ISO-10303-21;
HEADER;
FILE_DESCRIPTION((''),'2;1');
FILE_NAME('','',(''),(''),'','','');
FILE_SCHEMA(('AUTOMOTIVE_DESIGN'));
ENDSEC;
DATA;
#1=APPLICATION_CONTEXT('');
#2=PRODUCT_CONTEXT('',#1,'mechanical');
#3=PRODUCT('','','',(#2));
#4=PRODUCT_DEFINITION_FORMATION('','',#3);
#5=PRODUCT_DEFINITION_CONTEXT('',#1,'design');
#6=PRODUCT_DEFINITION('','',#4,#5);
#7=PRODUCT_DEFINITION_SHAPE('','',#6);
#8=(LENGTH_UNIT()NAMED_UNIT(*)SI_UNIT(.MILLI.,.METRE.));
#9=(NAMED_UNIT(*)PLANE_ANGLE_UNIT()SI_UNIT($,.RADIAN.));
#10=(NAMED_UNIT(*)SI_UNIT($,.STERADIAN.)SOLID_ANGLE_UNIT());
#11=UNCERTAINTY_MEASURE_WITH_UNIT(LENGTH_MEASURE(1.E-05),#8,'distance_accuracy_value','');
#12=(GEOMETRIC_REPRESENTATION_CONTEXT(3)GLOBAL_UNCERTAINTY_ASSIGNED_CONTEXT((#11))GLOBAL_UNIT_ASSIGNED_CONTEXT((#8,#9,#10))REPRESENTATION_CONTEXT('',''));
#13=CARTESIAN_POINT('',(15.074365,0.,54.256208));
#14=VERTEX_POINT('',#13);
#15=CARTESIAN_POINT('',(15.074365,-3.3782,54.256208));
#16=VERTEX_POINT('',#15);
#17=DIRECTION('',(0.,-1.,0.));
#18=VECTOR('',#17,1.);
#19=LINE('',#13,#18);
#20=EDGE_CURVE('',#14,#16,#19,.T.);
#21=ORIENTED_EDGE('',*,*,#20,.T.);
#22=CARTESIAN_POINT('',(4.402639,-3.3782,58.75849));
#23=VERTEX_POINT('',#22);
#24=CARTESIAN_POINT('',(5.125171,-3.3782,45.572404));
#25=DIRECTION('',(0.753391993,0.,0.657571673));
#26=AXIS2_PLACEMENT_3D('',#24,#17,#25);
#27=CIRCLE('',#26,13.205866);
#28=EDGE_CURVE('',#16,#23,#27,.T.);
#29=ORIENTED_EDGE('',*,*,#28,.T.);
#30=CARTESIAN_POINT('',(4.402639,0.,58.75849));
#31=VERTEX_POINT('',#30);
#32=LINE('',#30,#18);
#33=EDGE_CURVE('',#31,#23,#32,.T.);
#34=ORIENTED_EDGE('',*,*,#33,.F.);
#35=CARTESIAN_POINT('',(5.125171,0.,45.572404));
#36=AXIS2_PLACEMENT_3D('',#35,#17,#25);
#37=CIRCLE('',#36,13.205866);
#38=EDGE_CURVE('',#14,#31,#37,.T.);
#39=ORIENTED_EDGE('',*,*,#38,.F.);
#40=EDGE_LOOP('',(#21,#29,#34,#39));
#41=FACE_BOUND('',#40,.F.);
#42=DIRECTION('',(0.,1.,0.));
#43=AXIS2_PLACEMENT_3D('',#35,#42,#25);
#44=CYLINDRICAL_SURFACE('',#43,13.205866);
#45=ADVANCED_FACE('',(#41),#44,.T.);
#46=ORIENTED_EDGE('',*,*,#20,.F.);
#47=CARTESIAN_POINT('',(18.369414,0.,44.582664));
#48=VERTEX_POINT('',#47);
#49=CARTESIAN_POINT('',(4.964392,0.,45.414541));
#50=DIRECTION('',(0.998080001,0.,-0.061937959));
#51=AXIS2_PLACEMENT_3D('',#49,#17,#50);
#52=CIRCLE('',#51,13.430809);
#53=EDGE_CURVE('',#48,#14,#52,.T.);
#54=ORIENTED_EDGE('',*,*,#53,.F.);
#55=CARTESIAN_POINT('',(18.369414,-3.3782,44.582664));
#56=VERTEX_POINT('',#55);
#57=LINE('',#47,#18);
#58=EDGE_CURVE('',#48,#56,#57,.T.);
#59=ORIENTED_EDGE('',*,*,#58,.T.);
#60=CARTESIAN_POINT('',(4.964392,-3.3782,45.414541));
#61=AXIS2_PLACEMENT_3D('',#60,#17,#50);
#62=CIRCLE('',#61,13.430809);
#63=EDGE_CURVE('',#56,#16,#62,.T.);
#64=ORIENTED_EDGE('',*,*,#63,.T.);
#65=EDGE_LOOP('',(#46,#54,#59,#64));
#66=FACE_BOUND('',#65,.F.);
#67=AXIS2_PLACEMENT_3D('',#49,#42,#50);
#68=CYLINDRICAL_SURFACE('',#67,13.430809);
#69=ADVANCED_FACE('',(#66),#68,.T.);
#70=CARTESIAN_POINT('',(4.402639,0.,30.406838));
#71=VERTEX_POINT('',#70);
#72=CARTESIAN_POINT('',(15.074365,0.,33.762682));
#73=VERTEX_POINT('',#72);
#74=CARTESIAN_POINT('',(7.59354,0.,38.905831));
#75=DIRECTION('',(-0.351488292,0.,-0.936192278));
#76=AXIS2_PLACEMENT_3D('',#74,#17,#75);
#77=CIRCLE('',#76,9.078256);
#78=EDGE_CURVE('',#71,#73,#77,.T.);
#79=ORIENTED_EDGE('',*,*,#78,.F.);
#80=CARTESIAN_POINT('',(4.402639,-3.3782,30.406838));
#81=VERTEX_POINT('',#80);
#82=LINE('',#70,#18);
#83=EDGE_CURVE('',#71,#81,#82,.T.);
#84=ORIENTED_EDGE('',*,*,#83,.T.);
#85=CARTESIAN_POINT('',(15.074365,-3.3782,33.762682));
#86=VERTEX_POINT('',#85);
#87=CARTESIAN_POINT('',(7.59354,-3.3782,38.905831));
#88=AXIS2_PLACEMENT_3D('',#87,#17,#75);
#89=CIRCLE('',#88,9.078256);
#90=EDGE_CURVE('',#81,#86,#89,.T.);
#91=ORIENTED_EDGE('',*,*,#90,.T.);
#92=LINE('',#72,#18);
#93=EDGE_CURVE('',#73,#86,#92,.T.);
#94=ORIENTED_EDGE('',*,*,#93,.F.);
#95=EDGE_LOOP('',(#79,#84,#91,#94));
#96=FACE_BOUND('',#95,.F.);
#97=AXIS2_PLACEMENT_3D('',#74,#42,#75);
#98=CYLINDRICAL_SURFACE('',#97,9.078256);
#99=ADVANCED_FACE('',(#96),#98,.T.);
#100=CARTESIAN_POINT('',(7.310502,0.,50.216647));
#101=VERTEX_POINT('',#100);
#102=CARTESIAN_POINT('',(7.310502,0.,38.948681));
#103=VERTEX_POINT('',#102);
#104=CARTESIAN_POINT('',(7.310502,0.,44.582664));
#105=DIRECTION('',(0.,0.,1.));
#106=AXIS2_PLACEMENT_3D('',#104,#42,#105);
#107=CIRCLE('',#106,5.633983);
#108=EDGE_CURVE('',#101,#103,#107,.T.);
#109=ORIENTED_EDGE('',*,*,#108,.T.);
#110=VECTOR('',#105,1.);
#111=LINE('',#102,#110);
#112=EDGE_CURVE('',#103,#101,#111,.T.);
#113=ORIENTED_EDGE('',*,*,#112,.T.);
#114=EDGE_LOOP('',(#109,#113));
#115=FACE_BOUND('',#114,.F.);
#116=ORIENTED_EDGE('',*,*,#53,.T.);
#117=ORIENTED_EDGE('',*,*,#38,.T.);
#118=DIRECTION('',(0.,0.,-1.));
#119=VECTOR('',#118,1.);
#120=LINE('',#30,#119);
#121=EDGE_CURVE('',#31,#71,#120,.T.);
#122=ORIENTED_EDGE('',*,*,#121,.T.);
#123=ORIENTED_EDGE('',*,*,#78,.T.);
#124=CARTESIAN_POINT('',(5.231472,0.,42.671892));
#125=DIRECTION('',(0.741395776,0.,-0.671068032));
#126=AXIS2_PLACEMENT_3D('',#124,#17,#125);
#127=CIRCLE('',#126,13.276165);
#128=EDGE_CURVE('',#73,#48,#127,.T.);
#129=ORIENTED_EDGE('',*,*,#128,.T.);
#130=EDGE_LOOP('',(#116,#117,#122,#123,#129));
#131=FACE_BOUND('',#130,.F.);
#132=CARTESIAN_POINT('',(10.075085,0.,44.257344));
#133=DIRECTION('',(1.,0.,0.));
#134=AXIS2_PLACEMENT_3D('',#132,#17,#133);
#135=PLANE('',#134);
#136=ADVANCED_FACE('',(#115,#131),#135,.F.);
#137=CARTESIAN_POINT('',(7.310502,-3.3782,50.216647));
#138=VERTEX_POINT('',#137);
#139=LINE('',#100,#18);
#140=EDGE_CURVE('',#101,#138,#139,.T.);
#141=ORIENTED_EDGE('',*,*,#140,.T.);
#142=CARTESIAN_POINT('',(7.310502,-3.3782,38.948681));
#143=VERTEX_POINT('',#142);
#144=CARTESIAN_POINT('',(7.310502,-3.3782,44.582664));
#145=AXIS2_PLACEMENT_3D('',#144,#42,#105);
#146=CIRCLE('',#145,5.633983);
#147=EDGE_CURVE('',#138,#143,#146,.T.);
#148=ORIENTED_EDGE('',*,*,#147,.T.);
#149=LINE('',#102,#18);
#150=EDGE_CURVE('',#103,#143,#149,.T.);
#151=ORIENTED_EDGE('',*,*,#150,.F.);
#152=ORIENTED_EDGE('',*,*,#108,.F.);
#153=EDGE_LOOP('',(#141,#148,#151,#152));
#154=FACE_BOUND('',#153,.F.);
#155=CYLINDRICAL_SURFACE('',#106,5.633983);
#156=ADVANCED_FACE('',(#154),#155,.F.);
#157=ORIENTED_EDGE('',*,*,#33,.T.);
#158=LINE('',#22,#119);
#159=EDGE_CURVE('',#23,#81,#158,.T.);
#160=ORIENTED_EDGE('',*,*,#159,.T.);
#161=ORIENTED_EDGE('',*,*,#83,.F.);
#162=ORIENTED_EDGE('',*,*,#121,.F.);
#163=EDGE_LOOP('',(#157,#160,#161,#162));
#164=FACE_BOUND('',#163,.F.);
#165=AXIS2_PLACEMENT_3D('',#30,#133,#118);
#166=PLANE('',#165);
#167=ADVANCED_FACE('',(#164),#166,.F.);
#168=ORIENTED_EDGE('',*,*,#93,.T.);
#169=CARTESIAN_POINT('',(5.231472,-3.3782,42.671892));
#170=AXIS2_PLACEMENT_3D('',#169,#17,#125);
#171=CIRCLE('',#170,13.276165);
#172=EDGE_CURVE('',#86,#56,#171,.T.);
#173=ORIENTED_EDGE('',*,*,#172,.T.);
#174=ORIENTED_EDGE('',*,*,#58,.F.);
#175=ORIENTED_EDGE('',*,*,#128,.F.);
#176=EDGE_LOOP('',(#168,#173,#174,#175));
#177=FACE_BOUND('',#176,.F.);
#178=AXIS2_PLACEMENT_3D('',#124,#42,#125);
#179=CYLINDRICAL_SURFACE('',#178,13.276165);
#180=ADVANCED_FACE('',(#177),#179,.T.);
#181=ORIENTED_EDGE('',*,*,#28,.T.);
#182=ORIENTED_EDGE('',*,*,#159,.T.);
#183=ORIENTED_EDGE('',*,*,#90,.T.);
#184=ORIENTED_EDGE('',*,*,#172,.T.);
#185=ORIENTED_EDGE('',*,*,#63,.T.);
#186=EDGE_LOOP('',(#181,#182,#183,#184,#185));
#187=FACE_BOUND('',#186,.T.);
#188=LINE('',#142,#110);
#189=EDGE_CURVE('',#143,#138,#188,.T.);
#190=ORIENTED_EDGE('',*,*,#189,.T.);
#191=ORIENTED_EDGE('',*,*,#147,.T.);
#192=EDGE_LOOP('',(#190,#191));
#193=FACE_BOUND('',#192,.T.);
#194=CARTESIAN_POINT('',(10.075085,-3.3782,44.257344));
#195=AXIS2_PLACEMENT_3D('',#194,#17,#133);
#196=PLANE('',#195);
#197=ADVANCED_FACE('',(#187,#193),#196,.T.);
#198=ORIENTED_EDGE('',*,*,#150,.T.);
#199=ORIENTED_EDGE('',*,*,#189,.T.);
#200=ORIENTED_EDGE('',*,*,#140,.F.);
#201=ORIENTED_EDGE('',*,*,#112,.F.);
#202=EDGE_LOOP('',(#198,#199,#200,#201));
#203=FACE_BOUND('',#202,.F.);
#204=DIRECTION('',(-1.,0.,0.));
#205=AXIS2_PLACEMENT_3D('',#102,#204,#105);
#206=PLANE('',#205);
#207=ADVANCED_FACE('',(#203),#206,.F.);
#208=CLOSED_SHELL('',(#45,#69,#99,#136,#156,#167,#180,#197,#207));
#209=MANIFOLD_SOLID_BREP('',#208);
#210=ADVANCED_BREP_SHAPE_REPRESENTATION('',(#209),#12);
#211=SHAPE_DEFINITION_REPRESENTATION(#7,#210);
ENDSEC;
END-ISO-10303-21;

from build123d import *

# Parameters (mm, degrees)
F1_DEPTH = 3.3782


with BuildPart() as f1:
    # F0 (on Front) → F1 (new body)
    with BuildSketch(Plane.XZ):
        with BuildLine():
            ThreePointArc((15.074365, 54.256208), (10.258441, 57.739756), (4.402639, 58.75849))
            Line((4.402639, 58.75849), (4.402639, 30.406838))
            ThreePointArc((4.402639, 30.406838), (10.316826, 30.245667), (15.074365, 33.762682))
            ThreePointArc((15.074365, 33.762682), (17.931775, 38.804222), (18.369414, 44.582664))
            ThreePointArc((18.369414, 44.582664), (17.677893, 49.745075), (15.074365, 54.256208))
        make_face()
        with BuildLine():
            Line((7.310502, 38.948681), (7.310502, 44.582664))
            Line((7.310502, 44.582664), (7.310502, 50.216647))
            ThreePointArc((7.310502, 50.216647), (12.944485, 44.582664), (7.310502, 38.948681))
        make_face(mode=Mode.SUBTRACT)
    extrude(amount=F1_DEPTH)


solid = f1.part
